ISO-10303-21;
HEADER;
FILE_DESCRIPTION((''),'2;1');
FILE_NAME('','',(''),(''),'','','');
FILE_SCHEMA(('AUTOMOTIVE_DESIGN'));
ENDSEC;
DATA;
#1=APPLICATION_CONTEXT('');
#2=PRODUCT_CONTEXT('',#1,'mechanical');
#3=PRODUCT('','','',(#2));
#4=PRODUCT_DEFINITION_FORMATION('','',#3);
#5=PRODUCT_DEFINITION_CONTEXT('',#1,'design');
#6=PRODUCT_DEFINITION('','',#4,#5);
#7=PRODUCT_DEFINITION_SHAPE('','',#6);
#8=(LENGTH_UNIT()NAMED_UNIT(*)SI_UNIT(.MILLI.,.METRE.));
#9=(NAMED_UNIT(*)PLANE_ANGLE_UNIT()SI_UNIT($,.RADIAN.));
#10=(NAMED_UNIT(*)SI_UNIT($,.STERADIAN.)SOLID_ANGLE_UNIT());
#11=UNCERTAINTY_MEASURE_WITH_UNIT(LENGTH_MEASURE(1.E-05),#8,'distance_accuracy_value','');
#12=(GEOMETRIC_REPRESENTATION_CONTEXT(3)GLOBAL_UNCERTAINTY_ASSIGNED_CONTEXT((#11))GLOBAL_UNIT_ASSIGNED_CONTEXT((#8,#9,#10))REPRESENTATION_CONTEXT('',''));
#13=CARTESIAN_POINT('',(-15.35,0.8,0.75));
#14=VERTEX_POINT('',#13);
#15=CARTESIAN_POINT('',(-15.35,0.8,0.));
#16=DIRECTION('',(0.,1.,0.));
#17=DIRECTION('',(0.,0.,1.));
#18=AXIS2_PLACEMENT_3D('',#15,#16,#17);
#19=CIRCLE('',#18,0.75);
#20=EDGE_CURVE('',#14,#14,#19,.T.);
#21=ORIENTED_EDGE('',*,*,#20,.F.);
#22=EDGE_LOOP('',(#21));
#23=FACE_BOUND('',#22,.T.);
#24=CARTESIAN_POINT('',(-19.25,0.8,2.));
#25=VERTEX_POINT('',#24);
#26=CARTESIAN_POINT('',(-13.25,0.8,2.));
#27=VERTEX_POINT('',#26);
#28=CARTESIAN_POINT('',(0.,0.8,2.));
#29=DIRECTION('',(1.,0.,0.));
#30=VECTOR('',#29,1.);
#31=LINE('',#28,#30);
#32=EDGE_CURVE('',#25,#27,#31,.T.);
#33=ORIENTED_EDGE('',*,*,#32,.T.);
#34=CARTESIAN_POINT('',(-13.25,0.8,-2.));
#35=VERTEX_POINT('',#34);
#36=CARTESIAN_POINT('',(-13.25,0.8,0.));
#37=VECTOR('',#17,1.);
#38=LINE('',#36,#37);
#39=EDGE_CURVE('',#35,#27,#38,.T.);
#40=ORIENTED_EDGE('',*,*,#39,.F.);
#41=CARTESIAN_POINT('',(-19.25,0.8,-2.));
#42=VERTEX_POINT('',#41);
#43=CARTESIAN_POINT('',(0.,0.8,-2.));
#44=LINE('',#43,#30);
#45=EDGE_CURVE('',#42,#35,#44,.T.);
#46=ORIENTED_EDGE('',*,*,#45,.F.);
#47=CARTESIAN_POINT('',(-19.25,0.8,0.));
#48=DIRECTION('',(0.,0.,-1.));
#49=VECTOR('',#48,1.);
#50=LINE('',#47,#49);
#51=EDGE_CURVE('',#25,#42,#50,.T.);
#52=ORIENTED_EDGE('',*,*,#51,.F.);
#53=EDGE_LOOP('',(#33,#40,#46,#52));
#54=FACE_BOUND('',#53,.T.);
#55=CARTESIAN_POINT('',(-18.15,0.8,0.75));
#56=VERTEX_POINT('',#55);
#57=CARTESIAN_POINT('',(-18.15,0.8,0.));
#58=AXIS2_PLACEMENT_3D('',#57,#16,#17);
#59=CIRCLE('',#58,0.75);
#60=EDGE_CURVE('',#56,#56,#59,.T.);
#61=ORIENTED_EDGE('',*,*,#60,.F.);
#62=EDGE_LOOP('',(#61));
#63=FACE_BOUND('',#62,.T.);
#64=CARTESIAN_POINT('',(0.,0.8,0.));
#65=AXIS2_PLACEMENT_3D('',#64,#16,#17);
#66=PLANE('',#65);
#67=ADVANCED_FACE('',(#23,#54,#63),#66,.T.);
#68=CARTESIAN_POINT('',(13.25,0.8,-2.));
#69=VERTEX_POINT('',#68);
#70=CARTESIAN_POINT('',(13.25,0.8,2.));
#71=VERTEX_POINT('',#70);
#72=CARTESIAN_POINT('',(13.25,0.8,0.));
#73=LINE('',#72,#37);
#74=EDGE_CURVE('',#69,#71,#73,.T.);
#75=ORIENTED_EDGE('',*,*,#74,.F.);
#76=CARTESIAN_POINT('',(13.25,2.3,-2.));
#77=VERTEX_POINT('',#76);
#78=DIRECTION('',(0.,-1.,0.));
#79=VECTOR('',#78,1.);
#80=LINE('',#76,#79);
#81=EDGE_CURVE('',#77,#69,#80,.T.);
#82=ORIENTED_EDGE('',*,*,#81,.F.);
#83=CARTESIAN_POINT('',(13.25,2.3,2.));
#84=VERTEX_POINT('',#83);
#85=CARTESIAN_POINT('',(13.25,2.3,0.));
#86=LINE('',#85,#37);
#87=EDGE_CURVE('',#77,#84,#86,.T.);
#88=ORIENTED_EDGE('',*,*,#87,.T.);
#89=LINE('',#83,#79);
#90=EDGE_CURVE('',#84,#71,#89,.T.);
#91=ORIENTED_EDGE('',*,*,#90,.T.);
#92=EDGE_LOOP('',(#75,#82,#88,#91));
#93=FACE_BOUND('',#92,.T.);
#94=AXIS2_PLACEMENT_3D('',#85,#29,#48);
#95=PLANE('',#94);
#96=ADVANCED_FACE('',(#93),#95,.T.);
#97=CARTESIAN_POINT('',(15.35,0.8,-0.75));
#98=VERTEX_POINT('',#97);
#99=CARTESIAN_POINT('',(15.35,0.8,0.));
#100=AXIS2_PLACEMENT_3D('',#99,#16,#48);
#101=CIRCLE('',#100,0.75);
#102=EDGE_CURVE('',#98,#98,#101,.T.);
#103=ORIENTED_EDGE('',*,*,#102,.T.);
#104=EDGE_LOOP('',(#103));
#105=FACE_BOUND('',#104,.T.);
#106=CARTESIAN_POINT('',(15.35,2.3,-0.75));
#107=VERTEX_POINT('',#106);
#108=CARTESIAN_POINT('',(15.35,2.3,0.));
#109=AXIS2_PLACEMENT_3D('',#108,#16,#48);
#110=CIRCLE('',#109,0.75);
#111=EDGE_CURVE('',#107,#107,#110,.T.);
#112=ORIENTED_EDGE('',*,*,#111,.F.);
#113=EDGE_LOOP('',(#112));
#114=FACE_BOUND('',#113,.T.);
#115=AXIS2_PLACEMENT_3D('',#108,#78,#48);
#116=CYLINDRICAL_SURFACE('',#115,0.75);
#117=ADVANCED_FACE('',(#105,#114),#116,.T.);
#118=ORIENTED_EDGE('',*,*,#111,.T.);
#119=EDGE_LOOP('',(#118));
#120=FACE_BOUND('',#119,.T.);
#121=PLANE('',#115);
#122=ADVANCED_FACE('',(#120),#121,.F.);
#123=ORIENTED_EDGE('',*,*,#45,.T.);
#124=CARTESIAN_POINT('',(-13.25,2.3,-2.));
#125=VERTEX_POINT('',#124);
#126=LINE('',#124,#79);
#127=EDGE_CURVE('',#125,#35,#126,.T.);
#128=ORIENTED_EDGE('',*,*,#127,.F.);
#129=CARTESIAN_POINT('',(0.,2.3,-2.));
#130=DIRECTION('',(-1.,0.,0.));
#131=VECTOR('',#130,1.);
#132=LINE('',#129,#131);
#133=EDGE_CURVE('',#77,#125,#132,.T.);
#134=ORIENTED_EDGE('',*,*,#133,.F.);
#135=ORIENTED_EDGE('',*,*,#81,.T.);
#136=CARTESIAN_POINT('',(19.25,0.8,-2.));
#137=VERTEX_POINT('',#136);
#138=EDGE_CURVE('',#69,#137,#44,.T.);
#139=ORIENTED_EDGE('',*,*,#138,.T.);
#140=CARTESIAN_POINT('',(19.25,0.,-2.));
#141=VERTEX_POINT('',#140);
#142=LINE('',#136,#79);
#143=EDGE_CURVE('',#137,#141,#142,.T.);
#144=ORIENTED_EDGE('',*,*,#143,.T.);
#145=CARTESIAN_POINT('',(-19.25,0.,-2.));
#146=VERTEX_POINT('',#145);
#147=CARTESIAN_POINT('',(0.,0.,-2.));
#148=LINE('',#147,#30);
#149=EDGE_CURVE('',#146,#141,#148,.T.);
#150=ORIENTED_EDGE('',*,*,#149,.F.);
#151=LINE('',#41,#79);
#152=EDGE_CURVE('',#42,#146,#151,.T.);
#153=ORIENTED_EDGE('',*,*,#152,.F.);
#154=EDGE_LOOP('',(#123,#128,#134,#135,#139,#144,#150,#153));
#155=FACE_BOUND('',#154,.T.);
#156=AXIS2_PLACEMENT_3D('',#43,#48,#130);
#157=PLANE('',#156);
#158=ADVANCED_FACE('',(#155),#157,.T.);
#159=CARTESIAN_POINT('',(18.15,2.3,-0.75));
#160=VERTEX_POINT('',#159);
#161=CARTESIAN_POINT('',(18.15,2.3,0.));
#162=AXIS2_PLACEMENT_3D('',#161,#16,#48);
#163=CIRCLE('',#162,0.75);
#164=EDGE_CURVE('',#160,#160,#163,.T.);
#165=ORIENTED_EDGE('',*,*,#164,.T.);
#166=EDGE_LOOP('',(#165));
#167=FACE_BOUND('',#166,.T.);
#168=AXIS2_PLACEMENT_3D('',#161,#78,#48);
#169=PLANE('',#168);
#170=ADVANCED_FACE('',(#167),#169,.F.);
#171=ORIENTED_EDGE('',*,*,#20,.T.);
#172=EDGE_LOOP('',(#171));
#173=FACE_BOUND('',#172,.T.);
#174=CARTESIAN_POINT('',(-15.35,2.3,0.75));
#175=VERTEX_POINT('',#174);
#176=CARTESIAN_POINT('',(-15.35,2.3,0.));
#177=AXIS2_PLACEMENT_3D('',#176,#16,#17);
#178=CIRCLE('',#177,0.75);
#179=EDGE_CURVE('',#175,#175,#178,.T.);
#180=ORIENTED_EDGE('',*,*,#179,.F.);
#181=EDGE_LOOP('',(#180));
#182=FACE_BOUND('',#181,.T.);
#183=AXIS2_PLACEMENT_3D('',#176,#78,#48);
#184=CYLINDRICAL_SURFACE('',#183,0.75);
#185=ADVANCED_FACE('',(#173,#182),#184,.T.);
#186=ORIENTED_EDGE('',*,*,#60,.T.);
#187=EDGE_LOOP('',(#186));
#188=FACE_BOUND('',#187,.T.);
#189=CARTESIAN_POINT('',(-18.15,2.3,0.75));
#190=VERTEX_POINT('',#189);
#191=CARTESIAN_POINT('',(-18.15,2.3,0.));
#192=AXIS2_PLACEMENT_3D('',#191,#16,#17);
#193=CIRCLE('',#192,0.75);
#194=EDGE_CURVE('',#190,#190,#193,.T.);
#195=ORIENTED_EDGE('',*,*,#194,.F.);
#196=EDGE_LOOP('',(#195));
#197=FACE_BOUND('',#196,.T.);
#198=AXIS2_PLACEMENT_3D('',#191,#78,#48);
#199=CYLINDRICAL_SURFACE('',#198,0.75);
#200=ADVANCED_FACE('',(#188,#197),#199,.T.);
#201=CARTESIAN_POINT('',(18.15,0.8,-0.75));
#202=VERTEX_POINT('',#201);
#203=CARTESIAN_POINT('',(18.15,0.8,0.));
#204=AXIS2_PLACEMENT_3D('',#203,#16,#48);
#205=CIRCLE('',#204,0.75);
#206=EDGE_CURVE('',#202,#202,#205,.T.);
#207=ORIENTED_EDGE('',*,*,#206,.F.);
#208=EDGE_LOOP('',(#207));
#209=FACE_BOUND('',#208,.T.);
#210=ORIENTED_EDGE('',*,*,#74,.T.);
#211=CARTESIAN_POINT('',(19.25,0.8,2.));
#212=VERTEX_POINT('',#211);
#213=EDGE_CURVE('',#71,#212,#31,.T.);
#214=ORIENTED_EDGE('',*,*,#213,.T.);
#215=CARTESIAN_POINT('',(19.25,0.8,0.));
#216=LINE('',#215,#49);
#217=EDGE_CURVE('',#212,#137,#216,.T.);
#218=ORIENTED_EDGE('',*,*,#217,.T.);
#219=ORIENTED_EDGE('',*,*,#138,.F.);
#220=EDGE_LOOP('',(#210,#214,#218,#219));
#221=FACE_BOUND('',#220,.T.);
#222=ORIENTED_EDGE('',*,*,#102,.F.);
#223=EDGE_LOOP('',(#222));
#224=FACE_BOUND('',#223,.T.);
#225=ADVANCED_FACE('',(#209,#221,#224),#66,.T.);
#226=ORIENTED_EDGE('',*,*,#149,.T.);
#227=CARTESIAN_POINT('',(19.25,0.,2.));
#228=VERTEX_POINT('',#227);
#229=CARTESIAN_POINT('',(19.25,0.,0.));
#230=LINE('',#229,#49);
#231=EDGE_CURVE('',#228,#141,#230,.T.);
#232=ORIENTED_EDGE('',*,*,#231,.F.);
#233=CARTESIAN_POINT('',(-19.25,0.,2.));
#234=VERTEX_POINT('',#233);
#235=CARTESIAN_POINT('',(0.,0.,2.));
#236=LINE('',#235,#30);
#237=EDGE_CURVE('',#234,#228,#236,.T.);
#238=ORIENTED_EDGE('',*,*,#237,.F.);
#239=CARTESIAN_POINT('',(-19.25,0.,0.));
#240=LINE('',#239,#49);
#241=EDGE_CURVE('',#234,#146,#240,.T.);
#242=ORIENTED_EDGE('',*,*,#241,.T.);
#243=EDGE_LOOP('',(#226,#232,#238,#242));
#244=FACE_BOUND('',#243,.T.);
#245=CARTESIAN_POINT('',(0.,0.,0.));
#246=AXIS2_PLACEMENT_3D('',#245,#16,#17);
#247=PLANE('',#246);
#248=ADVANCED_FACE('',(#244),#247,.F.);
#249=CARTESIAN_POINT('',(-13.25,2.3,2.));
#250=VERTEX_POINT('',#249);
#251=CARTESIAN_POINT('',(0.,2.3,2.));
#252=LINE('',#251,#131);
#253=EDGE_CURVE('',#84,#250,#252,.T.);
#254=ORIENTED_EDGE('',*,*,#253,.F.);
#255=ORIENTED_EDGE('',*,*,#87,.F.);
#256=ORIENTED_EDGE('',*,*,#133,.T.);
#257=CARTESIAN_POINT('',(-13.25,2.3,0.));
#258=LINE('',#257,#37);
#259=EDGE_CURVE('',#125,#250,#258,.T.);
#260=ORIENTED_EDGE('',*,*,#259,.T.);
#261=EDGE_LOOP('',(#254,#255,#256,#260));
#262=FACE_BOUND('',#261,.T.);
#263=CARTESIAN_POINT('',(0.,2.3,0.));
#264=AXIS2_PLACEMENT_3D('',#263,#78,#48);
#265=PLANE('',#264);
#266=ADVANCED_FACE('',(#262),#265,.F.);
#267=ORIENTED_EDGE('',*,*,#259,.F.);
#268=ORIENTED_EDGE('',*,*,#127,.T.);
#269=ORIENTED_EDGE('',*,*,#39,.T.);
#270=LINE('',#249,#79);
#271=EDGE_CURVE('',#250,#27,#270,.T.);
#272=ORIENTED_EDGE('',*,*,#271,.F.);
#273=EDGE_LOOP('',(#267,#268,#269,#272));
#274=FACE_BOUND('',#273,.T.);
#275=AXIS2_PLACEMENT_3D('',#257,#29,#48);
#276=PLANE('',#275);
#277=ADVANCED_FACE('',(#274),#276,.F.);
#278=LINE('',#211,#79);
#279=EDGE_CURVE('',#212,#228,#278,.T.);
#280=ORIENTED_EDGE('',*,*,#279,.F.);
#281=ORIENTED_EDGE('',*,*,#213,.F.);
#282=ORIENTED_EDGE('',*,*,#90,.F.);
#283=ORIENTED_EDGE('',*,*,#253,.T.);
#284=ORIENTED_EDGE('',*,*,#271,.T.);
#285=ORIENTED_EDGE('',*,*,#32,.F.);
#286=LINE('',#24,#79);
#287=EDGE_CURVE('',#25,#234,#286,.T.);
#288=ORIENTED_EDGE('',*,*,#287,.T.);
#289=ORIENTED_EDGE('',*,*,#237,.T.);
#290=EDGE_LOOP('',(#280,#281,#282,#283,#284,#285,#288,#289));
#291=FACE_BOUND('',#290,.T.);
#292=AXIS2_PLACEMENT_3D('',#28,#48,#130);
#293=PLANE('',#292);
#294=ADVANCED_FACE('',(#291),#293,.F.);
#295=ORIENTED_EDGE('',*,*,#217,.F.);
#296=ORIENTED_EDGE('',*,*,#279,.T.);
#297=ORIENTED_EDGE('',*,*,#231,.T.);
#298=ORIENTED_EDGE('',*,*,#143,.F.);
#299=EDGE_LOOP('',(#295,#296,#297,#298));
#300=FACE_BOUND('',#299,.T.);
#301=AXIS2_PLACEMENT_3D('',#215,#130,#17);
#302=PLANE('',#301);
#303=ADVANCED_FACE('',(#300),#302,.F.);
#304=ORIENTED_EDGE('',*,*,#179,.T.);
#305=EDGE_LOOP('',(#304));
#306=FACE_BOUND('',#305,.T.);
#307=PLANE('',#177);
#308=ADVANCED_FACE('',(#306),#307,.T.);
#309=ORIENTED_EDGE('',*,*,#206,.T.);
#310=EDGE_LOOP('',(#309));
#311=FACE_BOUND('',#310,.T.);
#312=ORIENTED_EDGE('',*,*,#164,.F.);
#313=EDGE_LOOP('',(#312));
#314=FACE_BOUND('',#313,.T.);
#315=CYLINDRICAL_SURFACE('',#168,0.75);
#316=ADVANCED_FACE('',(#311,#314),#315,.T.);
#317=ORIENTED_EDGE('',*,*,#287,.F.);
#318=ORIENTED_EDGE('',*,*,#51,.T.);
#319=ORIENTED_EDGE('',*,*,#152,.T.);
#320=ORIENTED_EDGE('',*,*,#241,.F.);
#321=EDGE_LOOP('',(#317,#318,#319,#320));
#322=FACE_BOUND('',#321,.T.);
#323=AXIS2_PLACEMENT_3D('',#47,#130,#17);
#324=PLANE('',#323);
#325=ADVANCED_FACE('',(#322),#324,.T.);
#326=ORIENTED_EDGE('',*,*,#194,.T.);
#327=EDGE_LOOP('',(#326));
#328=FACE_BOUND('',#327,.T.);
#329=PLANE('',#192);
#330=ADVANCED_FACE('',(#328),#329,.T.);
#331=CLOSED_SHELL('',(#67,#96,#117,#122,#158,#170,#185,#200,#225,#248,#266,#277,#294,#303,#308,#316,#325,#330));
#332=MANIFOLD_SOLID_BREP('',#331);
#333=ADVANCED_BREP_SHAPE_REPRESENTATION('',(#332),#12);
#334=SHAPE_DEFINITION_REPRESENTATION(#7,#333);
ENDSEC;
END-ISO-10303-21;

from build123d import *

# Parameters (mm, degrees)
SKETCH_1_W      = 26.5
SKETCH_1_H      = 4
SKETCH_1_W_2    = 6
EXTRUDE_1_DEPTH = 0.8
EXTRUDE_START   = 0.8
SKETCH_1_3_W    = 26.5
SKETCH_1_3_H    = 4
EXTRUDE_2_DEPTH = 1.5
SKETCH_2_R      = 0.75
EXTRUDE_3_DEPTH = 1.5


with BuildPart() as part:
    # Эскиз1 → Бобышка-Вытянуть1 (new body)
    with BuildSketch(Plane(origin=(0, 0, 0), x_dir=(1, 0, 0), z_dir=(0, 1, 0))):
        Rectangle(SKETCH_1_W, SKETCH_1_H)
        with Locations((-16.25, 0)):
            Rectangle(SKETCH_1_W_2, SKETCH_1_H)
        with Locations((16.25, 0)):
            Rectangle(SKETCH_1_W_2, SKETCH_1_H)
    extrude(amount=EXTRUDE_1_DEPTH)

    # Эскиз1<3> → Бобышка-Вытянуть2 (add)
    with BuildSketch(Plane(origin=(0, 0, 0), x_dir=(1, 0, 0), z_dir=(0, 1, 0)).offset(EXTRUDE_START)):
        Rectangle(SKETCH_1_3_W, SKETCH_1_3_H)
    extrude(amount=EXTRUDE_2_DEPTH)

    # Эскиз2 → Бобышка-Вытянуть3 (add)
    with BuildSketch(Plane(origin=(0, 0.8, 0), x_dir=(1, 0, 0), z_dir=(0, 1, 0))):
        with Locations(Location((-15.35, 0, 0), (0, 0, 270))):
            Circle(SKETCH_2_R)
        with Locations(Location((-18.15, 0, 0), (0, 0, 270))):
            Circle(SKETCH_2_R)
        with Locations(Location((18.15, 0, 0), (0, 0, 90))):
            Circle(SKETCH_2_R)
        with Locations(Location((15.35, 0, 0), (0, 0, 90))):
            Circle(SKETCH_2_R)
    extrude(amount=EXTRUDE_3_DEPTH)


solid = part.part
